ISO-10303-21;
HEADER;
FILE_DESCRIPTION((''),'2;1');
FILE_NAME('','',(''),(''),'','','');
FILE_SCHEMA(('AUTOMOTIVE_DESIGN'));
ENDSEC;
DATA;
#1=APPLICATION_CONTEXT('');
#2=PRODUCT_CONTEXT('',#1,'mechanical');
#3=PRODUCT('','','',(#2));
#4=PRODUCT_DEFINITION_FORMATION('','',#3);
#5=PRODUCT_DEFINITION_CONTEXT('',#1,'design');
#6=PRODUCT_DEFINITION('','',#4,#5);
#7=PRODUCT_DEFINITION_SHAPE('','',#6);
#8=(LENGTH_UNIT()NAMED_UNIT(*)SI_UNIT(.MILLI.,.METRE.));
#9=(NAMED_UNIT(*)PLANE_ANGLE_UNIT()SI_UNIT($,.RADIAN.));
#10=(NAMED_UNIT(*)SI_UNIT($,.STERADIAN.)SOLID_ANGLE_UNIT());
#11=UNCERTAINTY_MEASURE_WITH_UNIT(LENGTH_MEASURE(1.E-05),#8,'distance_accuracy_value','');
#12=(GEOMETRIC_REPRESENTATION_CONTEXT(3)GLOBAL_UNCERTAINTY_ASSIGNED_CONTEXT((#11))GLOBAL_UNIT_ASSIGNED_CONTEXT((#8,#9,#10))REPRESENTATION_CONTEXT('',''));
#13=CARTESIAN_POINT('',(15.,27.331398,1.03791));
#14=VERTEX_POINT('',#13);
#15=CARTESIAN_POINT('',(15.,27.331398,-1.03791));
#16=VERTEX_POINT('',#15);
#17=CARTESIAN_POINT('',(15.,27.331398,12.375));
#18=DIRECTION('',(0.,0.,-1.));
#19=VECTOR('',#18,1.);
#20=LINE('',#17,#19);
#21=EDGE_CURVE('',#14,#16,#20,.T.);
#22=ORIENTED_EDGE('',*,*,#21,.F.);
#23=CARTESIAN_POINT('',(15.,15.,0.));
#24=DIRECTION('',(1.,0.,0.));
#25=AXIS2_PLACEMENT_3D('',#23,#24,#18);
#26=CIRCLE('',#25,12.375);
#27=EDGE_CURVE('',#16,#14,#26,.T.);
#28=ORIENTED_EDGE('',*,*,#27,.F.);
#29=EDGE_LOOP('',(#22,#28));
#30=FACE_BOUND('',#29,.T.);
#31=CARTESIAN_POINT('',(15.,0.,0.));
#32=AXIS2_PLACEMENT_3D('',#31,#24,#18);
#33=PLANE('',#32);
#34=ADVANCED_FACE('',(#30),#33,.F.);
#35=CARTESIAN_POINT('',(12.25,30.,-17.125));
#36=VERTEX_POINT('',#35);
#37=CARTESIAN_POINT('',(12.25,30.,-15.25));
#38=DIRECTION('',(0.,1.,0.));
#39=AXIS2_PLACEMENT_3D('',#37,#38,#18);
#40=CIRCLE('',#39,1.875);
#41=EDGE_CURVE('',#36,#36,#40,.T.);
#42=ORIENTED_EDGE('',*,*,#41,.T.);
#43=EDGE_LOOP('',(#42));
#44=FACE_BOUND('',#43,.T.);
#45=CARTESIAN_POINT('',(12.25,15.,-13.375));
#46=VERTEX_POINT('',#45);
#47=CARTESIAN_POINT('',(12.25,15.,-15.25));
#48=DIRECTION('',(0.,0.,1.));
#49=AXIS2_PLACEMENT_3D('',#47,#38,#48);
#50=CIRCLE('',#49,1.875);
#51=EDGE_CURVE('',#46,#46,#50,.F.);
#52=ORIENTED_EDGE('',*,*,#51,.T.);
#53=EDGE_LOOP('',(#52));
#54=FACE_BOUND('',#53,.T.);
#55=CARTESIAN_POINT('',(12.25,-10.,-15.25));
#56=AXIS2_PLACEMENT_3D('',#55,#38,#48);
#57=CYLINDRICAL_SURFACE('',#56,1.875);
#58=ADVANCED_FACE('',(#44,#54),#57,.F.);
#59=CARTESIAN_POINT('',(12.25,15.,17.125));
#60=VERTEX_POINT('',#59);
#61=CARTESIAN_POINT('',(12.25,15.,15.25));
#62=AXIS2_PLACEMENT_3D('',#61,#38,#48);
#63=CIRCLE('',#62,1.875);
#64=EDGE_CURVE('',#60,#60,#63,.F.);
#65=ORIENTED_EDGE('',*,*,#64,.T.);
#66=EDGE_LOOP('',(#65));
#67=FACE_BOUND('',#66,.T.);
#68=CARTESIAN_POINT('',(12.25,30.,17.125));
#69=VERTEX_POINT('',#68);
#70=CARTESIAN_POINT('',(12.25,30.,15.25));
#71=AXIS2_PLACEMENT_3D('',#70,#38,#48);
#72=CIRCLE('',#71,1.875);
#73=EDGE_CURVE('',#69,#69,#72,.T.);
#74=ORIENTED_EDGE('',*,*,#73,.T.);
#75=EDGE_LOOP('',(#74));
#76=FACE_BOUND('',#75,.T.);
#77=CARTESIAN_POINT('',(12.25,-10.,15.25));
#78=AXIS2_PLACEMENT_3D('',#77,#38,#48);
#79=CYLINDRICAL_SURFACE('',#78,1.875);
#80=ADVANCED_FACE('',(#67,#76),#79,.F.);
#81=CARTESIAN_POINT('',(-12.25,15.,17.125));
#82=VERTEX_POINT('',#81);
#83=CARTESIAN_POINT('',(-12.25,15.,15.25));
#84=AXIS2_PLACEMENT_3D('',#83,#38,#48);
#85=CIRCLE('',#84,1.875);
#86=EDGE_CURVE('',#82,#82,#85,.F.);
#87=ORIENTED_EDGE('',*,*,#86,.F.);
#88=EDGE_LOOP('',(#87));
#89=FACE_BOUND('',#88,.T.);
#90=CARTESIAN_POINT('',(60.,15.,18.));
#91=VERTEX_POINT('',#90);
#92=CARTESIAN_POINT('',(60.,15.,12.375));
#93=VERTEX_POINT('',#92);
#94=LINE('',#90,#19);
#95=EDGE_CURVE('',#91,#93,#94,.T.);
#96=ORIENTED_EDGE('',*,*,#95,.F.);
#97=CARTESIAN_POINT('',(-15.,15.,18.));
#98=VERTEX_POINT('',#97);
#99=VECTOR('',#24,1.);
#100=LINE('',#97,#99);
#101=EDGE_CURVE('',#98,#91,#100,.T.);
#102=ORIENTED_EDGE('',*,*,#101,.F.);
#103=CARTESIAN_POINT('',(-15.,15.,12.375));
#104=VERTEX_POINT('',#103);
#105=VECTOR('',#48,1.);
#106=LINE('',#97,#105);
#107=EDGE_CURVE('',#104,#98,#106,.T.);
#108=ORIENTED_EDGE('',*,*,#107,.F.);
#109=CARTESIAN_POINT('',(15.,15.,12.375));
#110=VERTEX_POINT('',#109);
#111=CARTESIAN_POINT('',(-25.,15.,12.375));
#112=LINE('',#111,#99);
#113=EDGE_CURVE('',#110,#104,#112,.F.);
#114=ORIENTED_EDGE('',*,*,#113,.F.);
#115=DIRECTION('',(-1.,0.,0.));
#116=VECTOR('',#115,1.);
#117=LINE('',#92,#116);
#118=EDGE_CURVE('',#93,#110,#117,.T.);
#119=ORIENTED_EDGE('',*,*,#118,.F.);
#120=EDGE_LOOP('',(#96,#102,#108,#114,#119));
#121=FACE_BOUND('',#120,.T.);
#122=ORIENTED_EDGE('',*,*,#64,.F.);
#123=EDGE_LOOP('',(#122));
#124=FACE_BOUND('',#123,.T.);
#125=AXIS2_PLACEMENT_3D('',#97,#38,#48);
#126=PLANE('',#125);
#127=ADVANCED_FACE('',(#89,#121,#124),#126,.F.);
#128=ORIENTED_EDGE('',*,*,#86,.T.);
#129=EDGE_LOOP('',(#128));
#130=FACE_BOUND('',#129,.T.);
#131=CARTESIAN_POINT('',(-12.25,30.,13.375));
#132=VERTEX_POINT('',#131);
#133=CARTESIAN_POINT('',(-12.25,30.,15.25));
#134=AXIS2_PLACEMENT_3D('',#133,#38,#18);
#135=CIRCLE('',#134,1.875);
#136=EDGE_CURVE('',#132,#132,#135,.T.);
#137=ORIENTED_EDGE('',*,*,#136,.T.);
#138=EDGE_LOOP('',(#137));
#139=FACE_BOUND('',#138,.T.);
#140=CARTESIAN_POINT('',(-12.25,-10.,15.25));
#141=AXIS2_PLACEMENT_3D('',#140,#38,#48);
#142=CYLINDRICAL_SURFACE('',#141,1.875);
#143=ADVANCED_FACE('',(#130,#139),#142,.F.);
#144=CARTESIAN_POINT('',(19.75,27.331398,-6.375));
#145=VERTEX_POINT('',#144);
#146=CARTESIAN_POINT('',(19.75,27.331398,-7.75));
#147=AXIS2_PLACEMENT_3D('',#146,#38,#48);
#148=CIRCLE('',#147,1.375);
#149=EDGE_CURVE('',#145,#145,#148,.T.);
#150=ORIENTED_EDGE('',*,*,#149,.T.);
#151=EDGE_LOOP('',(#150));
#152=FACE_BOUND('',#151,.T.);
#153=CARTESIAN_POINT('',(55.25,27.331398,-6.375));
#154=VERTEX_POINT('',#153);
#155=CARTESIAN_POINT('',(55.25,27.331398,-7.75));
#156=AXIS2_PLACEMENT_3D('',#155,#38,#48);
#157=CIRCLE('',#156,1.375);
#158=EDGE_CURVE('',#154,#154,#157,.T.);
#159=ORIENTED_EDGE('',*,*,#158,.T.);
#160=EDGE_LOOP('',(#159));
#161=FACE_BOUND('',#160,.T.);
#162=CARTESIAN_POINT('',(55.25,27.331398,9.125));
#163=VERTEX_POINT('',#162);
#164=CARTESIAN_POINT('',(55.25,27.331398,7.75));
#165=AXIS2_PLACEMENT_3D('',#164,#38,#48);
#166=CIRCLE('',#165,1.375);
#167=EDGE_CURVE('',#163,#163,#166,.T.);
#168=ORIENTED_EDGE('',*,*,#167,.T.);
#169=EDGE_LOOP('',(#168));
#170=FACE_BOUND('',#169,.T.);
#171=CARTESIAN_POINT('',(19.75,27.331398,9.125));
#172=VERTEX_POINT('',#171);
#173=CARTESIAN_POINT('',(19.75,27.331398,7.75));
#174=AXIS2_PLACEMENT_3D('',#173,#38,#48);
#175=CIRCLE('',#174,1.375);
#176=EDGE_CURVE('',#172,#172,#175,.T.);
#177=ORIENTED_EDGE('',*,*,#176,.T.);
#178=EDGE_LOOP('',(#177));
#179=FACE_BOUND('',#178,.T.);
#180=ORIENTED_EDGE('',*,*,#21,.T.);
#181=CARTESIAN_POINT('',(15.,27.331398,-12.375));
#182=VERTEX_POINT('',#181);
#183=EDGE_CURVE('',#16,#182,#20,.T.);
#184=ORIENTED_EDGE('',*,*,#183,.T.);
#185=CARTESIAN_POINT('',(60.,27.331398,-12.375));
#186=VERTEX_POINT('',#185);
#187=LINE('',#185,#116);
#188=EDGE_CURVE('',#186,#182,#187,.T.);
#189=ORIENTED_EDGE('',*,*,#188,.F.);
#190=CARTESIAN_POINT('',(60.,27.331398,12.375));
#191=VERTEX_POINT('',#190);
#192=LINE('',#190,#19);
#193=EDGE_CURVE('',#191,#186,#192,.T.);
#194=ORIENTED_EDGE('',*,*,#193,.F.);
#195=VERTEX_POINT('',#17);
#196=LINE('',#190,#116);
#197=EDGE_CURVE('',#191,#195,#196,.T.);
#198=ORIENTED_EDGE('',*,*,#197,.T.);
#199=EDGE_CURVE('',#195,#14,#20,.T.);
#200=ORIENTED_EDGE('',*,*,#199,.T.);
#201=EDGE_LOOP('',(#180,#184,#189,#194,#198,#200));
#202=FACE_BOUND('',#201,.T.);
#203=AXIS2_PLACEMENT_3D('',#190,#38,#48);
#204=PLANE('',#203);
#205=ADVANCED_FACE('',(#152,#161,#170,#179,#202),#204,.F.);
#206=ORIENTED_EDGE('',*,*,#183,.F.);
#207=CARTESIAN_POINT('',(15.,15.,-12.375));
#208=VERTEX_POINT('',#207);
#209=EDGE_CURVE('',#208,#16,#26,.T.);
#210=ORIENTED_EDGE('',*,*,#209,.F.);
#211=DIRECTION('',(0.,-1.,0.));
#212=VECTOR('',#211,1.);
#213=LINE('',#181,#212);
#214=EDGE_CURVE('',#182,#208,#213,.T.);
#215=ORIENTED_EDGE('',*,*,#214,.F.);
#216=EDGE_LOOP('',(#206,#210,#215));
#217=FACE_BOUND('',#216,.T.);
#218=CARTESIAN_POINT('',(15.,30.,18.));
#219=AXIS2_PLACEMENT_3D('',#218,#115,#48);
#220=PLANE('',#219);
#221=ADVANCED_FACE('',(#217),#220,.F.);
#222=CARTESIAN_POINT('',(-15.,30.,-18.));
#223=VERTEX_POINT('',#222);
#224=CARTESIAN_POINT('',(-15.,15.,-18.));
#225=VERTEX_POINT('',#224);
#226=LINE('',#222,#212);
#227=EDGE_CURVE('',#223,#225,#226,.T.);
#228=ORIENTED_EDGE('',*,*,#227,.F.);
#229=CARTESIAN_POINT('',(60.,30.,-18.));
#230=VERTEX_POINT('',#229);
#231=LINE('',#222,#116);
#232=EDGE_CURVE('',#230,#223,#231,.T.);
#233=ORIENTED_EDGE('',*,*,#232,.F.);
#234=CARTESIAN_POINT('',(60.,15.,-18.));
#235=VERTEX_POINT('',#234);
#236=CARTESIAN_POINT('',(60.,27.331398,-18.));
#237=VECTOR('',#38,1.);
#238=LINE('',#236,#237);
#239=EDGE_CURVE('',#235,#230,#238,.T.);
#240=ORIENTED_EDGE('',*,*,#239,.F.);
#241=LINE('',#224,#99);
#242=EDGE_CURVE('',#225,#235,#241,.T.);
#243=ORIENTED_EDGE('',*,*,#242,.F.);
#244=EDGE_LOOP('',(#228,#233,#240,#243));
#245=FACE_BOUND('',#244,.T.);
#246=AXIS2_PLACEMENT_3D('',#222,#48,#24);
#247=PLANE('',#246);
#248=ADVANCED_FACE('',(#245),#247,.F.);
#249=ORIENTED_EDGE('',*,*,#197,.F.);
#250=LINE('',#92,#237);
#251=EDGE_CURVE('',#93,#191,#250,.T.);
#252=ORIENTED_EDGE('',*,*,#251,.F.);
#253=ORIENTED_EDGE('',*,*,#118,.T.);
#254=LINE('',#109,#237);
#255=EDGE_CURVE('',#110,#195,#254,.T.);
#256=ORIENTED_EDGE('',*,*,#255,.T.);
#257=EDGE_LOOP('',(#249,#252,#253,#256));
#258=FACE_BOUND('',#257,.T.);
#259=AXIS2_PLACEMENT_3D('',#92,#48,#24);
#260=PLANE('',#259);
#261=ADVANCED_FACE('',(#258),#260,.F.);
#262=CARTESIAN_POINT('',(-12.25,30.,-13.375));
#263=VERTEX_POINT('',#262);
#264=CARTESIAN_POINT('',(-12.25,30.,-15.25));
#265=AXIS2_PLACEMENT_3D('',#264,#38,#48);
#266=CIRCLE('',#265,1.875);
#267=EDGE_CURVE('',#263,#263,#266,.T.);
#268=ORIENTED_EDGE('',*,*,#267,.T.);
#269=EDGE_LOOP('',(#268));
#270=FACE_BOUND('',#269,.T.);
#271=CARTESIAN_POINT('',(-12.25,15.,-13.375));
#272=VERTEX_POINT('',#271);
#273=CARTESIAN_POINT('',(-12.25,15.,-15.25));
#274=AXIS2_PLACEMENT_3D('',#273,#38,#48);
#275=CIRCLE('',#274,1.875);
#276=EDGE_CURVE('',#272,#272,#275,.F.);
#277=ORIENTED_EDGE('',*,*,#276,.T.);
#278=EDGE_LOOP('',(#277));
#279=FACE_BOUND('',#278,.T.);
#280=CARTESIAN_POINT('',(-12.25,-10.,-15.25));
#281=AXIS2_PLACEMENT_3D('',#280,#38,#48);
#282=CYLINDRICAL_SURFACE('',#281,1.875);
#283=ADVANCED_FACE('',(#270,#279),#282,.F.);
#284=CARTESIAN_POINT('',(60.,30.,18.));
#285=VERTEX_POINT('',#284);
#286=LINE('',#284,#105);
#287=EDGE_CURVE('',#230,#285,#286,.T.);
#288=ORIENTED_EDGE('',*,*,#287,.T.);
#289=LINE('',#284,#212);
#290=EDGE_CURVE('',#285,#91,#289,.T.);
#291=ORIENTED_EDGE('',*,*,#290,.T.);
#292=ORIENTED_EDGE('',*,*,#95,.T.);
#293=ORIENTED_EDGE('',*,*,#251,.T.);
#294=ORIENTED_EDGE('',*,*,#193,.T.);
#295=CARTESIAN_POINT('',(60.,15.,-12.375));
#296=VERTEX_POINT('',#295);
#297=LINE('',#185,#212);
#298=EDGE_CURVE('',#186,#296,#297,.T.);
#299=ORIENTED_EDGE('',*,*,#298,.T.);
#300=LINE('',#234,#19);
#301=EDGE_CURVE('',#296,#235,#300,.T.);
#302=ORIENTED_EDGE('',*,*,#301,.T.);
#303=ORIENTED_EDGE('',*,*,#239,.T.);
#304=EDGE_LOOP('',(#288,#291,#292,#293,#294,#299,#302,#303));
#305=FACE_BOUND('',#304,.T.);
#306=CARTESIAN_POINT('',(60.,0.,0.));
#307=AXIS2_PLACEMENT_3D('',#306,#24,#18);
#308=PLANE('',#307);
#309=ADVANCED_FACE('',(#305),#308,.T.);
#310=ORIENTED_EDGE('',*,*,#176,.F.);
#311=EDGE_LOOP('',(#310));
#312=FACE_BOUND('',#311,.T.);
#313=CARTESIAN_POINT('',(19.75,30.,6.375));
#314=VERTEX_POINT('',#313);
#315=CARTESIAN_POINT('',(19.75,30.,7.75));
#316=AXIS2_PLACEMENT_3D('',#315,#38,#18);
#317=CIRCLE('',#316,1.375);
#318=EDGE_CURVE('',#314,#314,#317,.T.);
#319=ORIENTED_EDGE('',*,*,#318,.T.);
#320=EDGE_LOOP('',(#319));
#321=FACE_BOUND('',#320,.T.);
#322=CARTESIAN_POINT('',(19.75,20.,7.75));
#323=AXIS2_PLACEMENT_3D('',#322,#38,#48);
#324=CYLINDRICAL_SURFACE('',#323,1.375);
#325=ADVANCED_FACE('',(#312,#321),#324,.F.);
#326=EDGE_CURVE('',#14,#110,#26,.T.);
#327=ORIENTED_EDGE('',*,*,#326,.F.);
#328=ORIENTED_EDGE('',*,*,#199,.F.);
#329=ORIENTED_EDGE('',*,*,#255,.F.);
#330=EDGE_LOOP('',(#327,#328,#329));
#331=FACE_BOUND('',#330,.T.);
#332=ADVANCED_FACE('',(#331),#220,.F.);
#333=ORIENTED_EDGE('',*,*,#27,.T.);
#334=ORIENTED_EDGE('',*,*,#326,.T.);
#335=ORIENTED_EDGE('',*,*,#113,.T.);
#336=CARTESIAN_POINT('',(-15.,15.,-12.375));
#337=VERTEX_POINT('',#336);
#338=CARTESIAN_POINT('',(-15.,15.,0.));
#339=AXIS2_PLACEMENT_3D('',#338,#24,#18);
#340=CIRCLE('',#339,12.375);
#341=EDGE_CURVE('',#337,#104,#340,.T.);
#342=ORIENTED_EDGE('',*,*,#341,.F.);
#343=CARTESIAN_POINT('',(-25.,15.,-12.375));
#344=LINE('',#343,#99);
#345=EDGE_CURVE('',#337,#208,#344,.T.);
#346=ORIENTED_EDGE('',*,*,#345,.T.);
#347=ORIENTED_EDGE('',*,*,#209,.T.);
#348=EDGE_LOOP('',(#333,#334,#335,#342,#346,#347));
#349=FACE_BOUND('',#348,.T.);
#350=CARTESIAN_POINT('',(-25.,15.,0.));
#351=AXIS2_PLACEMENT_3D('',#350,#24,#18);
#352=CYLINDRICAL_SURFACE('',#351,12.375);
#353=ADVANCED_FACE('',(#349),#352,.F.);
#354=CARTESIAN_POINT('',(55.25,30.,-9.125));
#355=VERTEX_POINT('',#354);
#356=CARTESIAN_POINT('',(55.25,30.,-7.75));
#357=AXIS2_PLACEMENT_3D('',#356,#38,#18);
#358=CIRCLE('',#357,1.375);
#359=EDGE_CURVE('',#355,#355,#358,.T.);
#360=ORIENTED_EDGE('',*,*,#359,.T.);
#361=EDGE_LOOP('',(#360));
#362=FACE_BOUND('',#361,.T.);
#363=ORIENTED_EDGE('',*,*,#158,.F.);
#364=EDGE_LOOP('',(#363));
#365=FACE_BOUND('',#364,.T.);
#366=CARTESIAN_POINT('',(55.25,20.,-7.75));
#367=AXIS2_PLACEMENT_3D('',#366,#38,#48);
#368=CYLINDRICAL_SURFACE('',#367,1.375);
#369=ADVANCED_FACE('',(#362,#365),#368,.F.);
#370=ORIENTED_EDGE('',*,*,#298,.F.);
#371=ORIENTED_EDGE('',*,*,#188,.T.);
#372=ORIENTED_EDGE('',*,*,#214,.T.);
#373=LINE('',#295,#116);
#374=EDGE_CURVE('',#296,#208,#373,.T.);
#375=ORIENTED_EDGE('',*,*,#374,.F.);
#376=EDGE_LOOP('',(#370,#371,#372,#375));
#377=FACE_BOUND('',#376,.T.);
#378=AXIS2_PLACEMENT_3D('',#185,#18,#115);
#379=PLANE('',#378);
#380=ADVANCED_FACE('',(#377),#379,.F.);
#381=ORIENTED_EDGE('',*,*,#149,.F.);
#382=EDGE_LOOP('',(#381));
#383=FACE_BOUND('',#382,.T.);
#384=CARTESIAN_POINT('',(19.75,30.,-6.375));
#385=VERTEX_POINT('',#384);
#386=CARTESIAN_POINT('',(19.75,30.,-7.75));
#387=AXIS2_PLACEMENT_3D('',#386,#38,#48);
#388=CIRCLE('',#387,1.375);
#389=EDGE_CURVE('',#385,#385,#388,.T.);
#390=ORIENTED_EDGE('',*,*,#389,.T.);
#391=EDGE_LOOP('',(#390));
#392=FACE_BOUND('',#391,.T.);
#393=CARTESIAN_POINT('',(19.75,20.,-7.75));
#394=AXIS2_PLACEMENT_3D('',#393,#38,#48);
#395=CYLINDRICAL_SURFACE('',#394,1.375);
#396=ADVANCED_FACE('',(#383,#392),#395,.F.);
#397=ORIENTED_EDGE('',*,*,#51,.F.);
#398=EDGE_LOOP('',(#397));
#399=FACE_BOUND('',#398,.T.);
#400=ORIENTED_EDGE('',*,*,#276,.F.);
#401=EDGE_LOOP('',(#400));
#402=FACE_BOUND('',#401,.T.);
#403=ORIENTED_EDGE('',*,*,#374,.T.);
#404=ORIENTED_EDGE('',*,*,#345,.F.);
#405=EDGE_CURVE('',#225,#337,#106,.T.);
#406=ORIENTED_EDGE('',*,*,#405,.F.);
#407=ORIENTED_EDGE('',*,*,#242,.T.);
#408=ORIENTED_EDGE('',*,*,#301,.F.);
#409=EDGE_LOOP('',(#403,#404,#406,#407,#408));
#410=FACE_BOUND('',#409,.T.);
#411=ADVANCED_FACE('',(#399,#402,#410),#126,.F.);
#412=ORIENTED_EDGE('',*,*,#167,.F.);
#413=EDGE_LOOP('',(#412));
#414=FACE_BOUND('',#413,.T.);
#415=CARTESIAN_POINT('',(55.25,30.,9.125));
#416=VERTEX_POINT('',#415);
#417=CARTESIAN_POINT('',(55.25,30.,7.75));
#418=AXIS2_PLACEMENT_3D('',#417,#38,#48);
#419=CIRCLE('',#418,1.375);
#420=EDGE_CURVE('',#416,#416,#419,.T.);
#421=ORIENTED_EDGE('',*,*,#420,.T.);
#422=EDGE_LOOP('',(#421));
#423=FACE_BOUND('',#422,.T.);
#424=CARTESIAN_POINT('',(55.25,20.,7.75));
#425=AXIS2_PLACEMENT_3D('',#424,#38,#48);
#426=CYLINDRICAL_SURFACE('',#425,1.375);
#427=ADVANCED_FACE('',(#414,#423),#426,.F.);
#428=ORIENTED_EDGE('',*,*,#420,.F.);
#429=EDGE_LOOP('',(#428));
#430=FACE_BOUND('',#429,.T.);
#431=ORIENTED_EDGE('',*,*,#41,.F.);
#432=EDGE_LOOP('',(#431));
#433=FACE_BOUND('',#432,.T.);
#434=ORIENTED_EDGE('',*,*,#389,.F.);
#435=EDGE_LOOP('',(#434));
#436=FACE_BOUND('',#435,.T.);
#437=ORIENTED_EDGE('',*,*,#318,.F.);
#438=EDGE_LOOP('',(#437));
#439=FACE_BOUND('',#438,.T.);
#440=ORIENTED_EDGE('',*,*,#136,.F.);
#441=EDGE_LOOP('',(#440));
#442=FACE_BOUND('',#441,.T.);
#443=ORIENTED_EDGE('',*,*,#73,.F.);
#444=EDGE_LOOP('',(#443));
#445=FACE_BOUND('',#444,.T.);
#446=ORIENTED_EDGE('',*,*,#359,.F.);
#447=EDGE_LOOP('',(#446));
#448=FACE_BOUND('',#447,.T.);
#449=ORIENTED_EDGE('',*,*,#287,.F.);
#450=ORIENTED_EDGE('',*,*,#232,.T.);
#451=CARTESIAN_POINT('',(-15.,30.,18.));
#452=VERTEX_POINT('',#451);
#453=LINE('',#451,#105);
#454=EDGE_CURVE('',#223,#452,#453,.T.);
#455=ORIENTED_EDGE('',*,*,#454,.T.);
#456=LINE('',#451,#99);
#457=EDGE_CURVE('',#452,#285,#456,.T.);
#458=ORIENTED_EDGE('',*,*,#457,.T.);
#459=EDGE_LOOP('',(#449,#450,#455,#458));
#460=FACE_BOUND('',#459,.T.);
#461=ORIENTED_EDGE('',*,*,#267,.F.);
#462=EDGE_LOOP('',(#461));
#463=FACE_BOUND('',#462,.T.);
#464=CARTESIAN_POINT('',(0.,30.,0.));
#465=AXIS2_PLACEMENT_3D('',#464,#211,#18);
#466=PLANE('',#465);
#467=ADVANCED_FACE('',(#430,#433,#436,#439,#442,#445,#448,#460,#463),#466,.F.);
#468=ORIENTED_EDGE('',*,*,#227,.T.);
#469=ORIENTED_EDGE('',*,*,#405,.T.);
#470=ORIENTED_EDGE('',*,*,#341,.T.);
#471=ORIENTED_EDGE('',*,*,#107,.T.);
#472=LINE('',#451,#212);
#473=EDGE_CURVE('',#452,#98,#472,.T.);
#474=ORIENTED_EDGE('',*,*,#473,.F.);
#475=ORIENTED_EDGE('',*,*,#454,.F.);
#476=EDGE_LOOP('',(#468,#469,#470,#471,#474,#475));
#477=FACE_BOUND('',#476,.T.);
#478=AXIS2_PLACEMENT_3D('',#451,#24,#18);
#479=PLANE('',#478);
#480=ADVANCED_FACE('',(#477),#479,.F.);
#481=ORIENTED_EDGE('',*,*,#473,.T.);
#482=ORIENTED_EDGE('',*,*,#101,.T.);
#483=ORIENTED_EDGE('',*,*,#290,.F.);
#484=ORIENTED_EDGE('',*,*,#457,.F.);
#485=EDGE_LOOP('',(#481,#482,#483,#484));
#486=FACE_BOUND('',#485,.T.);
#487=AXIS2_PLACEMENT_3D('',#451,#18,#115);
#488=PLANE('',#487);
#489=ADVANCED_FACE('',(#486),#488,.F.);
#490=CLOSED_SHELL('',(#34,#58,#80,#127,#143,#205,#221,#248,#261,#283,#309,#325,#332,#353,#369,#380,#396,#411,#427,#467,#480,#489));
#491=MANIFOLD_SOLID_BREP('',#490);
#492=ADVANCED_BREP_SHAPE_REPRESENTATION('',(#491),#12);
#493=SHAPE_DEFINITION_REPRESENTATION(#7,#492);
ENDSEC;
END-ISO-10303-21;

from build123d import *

# Parameters (mm, degrees)
SKETCH1_W           = 30
SKETCH1_H           = 36
BOSS_EXTRUDE1_DEPTH = 30
SKETCH3_R           = 12.375
CUT_EXTRUDE1_DEPTH  = 40
SKETCH5_R           = 1.875
CUT_EXTRUDE2_DEPTH  = 40
CUT_EXTRUDE3_START  = 15
SKETCH7_W           = 36
SKETCH7_H           = 15
CUT_EXTRUDE3_DEPTH  = 31
BOSS_EXTRUDE2_DEPTH = 45
SKETCH9_R           = 1.375
CUT_EXTRUDE4_DEPTH  = 10


with BuildPart() as part:
    # Sketch1 → Boss-Extrude1 (new body)
    with BuildSketch(Plane(origin=(0, 0, 0), x_dir=(1, 0, 0), z_dir=(0, 1, 0))):
        Rectangle(SKETCH1_W, SKETCH1_H)
    extrude(amount=BOSS_EXTRUDE1_DEPTH)

    # Sketch3 → Cut-Extrude1 (cut)
    with BuildSketch(Plane(origin=(15, 0, 0), x_dir=(0, 0, -1), z_dir=(1, 0, 0))):
        with Locations((0, 15)):
            Circle(SKETCH3_R)
    extrude(amount=-CUT_EXTRUDE1_DEPTH, mode=Mode.SUBTRACT)

    # Sketch5 → Cut-Extrude2 (cut)
    with BuildSketch(Plane(origin=(0, 30, 0), x_dir=(1, 0, 0), z_dir=(0, 1, 0))):
        with Locations((-12.25, 15.25)):
            Circle(SKETCH5_R)
        with Locations((-12.25, -15.25)):
            Circle(SKETCH5_R)
        with Locations((12.25, -15.25)):
            Circle(SKETCH5_R)
        with Locations((12.25, 15.25)):
            Circle(SKETCH5_R)
    extrude(amount=-CUT_EXTRUDE2_DEPTH, mode=Mode.SUBTRACT)

    # Sketch7 → Cut-Extrude3 (cut, through all)
    with BuildSketch(Plane(origin=(0, 0, 0), x_dir=(0, 0, -1), z_dir=(1, 0, 0)).offset(CUT_EXTRUDE3_START)):
        with Locations((0, 7.5)):
            Rectangle(SKETCH7_W, SKETCH7_H)
    extrude(amount=-CUT_EXTRUDE3_DEPTH, mode=Mode.SUBTRACT)

    # Sketch8 → Boss-Extrude2 (add)
    with BuildSketch(Plane(origin=(15, 0, 0), x_dir=(0, 0, -1), z_dir=(1, 0, 0))):
        Polygon((-18, 30), (18, 30), (18, 27.331397605), (18, 15), (12.375, 15), (12.375, 27.331397605), (-12.375, 27.331397605), (-12.375, 15), (-18, 15), (-18, 27.331397605), align=None)
    extrude(amount=BOSS_EXTRUDE2_DEPTH)

    # Sketch9 → Cut-Extrude4 (cut)
    with BuildSketch(Plane(origin=(0, 30, 0), x_dir=(1, 0, 0), z_dir=(0, 1, 0))):
        with Locations((19.75, 7.75)):
            Circle(SKETCH9_R)
        with Locations((19.75, -7.75)):
            Circle(SKETCH9_R)
        with Locations((55.25, -7.75)):
            Circle(SKETCH9_R)
        with Locations((55.25, 7.75)):
            Circle(SKETCH9_R)
    extrude(amount=-CUT_EXTRUDE4_DEPTH, mode=Mode.SUBTRACT)


solid = part.part
